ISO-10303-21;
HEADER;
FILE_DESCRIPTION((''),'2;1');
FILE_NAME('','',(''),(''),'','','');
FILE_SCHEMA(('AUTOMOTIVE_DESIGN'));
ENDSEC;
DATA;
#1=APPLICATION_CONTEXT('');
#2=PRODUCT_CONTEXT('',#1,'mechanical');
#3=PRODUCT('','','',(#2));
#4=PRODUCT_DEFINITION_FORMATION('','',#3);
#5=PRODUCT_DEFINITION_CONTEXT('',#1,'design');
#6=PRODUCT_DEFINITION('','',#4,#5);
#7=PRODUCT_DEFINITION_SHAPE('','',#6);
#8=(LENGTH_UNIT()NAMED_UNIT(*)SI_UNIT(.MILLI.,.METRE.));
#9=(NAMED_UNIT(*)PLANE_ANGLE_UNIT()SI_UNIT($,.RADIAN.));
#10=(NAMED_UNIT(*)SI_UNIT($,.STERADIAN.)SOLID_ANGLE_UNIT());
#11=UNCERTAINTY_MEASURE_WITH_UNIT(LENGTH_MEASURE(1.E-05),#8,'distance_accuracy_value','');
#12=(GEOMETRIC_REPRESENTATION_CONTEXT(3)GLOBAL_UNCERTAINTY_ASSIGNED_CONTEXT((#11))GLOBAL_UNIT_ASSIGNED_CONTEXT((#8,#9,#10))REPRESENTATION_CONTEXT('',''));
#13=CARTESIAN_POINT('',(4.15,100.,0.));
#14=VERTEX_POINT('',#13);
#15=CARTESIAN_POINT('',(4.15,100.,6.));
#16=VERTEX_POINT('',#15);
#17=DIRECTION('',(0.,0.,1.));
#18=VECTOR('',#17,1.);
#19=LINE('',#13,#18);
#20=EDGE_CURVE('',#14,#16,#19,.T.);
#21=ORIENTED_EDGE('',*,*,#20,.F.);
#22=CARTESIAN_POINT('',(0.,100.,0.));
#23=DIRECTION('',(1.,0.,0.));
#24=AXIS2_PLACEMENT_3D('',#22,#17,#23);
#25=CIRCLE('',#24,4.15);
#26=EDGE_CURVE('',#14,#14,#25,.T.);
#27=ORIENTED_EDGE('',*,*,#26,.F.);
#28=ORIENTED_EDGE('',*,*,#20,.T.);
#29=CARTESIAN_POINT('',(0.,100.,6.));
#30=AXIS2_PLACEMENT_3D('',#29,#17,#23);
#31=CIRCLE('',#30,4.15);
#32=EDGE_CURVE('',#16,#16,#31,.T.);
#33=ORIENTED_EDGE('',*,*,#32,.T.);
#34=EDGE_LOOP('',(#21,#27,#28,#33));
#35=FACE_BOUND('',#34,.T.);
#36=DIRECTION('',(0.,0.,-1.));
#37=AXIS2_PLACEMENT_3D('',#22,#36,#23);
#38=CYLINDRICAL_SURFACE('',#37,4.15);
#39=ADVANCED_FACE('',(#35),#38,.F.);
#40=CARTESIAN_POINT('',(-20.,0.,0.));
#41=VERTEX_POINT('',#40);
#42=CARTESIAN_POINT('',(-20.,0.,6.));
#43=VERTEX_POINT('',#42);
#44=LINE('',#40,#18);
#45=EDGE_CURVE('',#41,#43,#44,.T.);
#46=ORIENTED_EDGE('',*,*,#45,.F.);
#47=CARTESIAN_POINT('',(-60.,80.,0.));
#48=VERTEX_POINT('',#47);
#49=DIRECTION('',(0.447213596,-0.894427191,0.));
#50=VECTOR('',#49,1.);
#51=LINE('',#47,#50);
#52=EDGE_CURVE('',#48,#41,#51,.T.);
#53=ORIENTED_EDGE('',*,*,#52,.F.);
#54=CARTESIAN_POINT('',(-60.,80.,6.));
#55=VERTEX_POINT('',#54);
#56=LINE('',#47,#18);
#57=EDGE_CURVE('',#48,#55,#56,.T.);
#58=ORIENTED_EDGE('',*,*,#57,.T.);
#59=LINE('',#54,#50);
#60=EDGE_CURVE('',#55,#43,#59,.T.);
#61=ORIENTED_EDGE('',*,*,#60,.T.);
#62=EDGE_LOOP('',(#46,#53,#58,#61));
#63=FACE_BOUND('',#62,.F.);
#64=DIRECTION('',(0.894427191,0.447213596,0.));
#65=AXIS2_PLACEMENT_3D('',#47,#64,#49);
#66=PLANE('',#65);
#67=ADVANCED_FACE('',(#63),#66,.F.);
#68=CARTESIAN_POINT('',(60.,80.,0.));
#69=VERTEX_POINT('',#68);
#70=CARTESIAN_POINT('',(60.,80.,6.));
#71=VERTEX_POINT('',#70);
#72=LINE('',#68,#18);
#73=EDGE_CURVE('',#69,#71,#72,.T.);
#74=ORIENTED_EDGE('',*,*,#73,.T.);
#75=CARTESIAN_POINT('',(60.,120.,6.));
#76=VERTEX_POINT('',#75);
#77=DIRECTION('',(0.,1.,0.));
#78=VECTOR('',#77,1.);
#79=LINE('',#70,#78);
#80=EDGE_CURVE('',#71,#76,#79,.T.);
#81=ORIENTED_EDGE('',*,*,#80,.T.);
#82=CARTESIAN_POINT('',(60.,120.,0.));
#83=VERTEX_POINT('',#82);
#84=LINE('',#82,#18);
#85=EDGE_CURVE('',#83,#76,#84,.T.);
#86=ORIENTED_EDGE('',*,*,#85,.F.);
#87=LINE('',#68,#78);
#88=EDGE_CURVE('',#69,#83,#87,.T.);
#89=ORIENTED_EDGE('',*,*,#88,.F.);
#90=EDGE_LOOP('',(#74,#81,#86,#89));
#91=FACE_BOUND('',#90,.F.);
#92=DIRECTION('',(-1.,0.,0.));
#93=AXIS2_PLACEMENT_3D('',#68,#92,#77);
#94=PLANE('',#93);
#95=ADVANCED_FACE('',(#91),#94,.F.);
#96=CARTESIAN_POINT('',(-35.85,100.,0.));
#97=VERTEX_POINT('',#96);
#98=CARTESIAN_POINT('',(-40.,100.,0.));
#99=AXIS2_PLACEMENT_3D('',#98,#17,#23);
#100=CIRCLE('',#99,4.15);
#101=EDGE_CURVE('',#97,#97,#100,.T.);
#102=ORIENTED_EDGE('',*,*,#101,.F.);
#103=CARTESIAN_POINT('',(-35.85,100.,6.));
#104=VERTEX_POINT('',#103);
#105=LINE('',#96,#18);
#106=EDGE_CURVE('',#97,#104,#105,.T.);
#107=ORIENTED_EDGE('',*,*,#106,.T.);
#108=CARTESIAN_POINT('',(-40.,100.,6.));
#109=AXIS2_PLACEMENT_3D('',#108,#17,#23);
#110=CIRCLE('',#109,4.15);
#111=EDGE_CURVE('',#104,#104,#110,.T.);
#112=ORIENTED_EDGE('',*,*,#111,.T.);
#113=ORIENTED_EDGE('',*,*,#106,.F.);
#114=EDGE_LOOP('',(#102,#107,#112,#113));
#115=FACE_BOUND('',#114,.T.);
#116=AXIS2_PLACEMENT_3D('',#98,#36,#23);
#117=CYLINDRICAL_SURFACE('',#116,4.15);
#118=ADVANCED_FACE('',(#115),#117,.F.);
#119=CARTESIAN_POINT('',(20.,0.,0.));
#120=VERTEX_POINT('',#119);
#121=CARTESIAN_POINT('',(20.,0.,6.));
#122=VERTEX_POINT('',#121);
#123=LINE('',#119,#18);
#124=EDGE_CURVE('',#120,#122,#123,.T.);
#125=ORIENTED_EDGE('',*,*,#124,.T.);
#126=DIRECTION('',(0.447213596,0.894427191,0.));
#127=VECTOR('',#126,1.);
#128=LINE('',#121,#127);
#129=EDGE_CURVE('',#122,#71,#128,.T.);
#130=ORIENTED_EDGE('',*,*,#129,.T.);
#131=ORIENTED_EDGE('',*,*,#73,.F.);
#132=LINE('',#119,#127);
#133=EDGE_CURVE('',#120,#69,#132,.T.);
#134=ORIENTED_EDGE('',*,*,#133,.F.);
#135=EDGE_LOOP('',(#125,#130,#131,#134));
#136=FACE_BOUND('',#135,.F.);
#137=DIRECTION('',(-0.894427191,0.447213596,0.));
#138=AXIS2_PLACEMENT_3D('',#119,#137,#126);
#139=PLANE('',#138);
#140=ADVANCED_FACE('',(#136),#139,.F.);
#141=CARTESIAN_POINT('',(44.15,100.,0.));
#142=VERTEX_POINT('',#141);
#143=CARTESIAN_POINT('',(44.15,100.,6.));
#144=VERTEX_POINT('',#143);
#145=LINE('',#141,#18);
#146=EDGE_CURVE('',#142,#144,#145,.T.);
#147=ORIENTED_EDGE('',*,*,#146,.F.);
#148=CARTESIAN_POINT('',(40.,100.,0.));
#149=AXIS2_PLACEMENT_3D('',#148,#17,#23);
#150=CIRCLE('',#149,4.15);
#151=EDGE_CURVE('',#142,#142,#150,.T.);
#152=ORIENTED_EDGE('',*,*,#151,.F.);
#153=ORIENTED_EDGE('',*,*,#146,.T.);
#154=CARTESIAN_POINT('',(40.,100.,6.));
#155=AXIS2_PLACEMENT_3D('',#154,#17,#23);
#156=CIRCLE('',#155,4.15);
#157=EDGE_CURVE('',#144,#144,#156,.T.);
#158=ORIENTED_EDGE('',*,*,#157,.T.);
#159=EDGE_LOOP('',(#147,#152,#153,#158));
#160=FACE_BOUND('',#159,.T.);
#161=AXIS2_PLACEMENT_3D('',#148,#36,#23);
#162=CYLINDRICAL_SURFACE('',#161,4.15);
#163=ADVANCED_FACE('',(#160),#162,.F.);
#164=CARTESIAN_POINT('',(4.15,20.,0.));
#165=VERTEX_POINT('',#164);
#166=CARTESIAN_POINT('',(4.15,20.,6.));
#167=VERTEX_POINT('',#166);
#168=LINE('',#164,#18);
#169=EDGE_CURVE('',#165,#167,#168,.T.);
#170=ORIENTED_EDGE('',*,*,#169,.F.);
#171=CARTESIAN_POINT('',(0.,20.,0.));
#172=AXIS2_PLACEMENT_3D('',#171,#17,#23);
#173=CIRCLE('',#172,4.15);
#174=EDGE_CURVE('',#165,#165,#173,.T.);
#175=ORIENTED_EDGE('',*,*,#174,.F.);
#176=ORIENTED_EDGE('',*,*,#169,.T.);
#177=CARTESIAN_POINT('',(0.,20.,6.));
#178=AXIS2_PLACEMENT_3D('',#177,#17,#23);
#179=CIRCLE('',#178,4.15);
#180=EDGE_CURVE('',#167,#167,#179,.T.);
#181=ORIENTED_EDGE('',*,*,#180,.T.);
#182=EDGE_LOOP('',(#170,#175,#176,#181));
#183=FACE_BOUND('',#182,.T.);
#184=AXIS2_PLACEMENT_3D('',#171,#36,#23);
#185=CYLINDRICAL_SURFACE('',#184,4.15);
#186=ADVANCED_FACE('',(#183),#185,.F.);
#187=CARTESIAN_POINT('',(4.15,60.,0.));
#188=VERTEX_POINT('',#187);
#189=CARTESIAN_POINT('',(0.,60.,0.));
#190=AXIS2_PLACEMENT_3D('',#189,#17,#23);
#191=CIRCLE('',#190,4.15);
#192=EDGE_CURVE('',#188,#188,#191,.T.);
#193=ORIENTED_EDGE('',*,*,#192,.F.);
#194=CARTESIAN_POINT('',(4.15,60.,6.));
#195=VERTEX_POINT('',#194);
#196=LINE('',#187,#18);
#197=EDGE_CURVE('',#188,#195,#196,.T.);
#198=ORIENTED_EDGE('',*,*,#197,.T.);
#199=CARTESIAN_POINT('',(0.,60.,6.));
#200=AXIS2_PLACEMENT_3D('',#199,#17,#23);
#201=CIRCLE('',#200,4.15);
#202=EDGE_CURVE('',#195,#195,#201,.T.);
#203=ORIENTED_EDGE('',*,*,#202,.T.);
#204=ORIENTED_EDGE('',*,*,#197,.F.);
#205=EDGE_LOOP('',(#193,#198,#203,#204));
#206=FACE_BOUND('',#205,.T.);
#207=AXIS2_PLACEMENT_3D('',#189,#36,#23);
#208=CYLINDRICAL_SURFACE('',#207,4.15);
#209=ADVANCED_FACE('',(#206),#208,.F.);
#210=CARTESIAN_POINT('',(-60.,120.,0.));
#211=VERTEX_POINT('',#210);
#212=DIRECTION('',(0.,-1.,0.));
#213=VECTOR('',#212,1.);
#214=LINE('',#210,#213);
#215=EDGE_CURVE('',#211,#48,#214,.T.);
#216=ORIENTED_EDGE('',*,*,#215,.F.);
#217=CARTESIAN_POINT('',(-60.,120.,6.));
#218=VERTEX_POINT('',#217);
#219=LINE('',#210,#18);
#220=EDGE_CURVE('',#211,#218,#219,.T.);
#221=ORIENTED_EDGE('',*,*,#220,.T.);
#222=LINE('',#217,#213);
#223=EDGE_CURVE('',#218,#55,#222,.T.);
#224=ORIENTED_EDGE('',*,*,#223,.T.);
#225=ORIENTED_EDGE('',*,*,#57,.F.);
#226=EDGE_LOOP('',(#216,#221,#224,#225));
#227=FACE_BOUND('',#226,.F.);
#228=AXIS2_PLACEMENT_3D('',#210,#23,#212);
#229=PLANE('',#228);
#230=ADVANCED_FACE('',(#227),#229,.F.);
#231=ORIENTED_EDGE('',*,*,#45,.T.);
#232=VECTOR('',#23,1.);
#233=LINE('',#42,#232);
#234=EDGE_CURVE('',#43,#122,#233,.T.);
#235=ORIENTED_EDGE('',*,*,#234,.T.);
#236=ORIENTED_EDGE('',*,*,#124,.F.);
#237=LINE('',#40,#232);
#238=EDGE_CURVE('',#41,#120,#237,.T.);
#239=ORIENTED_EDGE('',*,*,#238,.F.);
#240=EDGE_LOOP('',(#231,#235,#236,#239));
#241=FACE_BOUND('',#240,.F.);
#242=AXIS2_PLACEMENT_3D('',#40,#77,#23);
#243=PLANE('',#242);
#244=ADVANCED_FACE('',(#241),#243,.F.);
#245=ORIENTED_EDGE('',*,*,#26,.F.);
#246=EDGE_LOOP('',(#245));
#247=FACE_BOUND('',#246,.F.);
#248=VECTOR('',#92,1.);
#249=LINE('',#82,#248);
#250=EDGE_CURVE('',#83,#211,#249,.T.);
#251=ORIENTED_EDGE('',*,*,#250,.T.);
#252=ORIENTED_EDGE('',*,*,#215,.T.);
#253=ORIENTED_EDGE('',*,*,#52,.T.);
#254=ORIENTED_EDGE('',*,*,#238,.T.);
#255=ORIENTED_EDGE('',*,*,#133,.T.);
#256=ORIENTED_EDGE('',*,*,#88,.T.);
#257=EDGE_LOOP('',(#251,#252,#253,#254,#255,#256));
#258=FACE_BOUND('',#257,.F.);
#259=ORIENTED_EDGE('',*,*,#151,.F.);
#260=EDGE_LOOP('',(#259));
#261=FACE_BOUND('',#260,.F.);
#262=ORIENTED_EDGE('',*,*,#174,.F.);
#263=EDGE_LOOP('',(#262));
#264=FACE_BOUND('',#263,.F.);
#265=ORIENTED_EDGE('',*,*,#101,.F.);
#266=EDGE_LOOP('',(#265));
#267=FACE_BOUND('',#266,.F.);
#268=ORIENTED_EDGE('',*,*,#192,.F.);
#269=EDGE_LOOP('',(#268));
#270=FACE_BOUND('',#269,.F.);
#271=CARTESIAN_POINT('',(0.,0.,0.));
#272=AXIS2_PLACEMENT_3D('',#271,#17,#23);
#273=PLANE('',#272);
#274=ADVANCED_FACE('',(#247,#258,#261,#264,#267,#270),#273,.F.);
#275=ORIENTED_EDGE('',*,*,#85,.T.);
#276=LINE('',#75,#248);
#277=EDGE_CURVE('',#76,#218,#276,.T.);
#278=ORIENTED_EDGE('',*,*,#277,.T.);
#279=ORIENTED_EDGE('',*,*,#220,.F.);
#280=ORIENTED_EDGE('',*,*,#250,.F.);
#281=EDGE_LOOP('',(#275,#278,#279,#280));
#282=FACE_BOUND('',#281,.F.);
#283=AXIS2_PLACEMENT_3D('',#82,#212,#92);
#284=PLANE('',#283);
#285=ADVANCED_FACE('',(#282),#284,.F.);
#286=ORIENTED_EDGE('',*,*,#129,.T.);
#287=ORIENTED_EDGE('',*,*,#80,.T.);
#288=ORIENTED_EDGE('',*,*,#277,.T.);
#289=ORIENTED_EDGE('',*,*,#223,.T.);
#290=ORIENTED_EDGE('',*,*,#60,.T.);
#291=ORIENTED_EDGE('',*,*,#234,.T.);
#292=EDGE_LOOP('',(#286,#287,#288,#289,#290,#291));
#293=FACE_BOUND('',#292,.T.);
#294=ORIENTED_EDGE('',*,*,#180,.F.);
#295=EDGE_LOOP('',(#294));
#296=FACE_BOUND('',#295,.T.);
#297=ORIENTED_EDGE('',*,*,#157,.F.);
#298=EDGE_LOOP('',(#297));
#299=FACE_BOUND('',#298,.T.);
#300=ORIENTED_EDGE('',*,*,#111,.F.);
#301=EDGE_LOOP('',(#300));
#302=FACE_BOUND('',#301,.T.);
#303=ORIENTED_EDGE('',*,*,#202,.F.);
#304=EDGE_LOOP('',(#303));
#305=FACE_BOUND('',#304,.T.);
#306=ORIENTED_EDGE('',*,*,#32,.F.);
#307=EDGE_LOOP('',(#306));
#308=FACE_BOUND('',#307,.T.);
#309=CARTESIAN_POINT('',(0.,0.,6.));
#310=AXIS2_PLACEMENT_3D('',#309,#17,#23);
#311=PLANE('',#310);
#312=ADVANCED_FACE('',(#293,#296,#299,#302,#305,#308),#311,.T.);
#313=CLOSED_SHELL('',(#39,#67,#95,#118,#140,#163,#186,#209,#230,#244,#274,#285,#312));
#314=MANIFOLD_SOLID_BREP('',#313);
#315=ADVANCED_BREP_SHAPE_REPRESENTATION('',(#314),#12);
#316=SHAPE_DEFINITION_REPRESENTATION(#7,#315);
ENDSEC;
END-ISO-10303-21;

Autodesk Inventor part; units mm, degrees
ref_plane "YZ Plane" through (0, 0, 0) normal (1, 0, 0) x (0, 1, 0)
ref_plane "XZ Plane" through (0, 0, 0) normal (0, 1, 0) x (-1, 0, 0)
ref_plane "XY Plane" through (0, 0, 0) normal (0, 0, 1) x (1, 0, 0)
sketch "Boceto1" plane through (0, 0, 0) normal (0, 0, 1) x (1, 0, 0)
  line L0 (-20, 0) -> (20, 0)
  line L1 (20, 0) -> (60, 80)
  line L2 (60, 80) -> (60, 120)
  line L3 (60, 120) -> (-60, 120)
  line L4 (-60, 120) -> (-60, 80)
  line L5 (-60, 80) -> (-20, 0)
  circle A0 centre (0, 100) radius 4.15
  circle A1 centre (0, 60) radius 4.15
  circle A2 centre (0, 20) radius 4.15
  circle A3 centre (40, 100) radius 4.15
  circle A4 centre (-40, 100) radius 4.15
  point P0 (0, 0)
  point P1 (0, 0)
  point P2 (0, 120)
  dimension "d0" = 120
  dimension "d1" = 120
  dimension "d2" = 40
  dimension "d3" = 40
  dimension "d4" = 20
  dimension "d5" = 8.3
  dimension "d6" = 40
  dimension "d7" = 40
  dimension "d8" = 40
  dimension "d9" = 40
extrude "Extrusión1" add sketch "Boceto1" along normal blind 6
equation "\"d8\" = d7"
equation "\"d9\" = d7"
properties part number "T"
